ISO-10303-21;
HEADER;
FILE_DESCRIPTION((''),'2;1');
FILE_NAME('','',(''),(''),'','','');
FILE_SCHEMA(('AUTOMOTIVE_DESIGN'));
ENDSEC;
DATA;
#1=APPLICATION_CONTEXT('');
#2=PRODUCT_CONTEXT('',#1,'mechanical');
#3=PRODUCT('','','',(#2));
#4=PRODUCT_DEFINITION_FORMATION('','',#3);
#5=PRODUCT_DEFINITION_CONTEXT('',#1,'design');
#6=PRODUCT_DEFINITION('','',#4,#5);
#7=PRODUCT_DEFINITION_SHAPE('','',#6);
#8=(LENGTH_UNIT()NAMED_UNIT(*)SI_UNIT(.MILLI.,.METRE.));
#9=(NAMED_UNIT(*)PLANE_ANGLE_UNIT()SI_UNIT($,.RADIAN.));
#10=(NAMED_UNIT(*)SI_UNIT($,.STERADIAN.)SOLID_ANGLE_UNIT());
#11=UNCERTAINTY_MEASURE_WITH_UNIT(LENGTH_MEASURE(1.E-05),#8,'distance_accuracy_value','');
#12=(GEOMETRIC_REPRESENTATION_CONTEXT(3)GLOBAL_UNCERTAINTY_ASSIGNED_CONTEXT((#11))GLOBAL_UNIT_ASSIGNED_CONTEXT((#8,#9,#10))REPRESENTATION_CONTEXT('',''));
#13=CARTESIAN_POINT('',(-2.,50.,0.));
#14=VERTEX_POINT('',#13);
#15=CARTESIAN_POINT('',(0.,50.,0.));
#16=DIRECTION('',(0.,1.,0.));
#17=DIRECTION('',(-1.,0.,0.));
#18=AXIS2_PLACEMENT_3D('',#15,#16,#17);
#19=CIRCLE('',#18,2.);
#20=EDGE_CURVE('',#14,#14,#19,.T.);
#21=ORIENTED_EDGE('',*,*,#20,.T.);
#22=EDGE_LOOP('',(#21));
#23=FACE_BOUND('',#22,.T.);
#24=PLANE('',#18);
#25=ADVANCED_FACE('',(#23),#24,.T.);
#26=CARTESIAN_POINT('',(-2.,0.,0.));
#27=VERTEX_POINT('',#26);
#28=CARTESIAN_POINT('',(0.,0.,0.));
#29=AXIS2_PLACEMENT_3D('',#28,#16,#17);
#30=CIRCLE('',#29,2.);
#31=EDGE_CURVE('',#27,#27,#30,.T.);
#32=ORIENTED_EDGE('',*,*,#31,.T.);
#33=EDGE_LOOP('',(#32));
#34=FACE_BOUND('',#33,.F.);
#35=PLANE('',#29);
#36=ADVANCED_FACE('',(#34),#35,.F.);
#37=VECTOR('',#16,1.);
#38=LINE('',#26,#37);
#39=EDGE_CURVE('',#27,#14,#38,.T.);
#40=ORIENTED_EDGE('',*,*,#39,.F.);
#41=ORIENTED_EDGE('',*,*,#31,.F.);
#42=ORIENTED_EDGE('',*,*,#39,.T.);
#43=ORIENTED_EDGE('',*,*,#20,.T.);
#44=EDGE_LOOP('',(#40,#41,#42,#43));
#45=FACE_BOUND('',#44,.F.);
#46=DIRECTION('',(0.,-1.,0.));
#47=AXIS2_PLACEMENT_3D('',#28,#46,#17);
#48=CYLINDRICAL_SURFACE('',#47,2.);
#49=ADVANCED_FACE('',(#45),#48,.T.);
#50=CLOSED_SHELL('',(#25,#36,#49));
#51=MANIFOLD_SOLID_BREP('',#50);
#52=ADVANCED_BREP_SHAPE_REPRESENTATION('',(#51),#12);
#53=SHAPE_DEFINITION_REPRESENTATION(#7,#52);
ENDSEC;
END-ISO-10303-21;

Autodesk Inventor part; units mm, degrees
ref_plane "YZ Plane" through (0, 0, 0) normal (1, 0, 0) x (0, 1, 0)
ref_plane "XZ Plane" through (0, 0, 0) normal (0, 1, 0) x (-1, 0, 0)
ref_plane "XY Plane" through (0, 0, 0) normal (0, 0, 1) x (1, 0, 0)
sketch "草图1" plane through (0, 0, 0) normal (0, 1, 0) x (-1, 0, 0)
  circle A0 centre (0, 0) radius 2
  dimension "d0" = 4
extrude "拉伸1" add sketch "草图1" along normal blind 50
properties part number "圆柱"
